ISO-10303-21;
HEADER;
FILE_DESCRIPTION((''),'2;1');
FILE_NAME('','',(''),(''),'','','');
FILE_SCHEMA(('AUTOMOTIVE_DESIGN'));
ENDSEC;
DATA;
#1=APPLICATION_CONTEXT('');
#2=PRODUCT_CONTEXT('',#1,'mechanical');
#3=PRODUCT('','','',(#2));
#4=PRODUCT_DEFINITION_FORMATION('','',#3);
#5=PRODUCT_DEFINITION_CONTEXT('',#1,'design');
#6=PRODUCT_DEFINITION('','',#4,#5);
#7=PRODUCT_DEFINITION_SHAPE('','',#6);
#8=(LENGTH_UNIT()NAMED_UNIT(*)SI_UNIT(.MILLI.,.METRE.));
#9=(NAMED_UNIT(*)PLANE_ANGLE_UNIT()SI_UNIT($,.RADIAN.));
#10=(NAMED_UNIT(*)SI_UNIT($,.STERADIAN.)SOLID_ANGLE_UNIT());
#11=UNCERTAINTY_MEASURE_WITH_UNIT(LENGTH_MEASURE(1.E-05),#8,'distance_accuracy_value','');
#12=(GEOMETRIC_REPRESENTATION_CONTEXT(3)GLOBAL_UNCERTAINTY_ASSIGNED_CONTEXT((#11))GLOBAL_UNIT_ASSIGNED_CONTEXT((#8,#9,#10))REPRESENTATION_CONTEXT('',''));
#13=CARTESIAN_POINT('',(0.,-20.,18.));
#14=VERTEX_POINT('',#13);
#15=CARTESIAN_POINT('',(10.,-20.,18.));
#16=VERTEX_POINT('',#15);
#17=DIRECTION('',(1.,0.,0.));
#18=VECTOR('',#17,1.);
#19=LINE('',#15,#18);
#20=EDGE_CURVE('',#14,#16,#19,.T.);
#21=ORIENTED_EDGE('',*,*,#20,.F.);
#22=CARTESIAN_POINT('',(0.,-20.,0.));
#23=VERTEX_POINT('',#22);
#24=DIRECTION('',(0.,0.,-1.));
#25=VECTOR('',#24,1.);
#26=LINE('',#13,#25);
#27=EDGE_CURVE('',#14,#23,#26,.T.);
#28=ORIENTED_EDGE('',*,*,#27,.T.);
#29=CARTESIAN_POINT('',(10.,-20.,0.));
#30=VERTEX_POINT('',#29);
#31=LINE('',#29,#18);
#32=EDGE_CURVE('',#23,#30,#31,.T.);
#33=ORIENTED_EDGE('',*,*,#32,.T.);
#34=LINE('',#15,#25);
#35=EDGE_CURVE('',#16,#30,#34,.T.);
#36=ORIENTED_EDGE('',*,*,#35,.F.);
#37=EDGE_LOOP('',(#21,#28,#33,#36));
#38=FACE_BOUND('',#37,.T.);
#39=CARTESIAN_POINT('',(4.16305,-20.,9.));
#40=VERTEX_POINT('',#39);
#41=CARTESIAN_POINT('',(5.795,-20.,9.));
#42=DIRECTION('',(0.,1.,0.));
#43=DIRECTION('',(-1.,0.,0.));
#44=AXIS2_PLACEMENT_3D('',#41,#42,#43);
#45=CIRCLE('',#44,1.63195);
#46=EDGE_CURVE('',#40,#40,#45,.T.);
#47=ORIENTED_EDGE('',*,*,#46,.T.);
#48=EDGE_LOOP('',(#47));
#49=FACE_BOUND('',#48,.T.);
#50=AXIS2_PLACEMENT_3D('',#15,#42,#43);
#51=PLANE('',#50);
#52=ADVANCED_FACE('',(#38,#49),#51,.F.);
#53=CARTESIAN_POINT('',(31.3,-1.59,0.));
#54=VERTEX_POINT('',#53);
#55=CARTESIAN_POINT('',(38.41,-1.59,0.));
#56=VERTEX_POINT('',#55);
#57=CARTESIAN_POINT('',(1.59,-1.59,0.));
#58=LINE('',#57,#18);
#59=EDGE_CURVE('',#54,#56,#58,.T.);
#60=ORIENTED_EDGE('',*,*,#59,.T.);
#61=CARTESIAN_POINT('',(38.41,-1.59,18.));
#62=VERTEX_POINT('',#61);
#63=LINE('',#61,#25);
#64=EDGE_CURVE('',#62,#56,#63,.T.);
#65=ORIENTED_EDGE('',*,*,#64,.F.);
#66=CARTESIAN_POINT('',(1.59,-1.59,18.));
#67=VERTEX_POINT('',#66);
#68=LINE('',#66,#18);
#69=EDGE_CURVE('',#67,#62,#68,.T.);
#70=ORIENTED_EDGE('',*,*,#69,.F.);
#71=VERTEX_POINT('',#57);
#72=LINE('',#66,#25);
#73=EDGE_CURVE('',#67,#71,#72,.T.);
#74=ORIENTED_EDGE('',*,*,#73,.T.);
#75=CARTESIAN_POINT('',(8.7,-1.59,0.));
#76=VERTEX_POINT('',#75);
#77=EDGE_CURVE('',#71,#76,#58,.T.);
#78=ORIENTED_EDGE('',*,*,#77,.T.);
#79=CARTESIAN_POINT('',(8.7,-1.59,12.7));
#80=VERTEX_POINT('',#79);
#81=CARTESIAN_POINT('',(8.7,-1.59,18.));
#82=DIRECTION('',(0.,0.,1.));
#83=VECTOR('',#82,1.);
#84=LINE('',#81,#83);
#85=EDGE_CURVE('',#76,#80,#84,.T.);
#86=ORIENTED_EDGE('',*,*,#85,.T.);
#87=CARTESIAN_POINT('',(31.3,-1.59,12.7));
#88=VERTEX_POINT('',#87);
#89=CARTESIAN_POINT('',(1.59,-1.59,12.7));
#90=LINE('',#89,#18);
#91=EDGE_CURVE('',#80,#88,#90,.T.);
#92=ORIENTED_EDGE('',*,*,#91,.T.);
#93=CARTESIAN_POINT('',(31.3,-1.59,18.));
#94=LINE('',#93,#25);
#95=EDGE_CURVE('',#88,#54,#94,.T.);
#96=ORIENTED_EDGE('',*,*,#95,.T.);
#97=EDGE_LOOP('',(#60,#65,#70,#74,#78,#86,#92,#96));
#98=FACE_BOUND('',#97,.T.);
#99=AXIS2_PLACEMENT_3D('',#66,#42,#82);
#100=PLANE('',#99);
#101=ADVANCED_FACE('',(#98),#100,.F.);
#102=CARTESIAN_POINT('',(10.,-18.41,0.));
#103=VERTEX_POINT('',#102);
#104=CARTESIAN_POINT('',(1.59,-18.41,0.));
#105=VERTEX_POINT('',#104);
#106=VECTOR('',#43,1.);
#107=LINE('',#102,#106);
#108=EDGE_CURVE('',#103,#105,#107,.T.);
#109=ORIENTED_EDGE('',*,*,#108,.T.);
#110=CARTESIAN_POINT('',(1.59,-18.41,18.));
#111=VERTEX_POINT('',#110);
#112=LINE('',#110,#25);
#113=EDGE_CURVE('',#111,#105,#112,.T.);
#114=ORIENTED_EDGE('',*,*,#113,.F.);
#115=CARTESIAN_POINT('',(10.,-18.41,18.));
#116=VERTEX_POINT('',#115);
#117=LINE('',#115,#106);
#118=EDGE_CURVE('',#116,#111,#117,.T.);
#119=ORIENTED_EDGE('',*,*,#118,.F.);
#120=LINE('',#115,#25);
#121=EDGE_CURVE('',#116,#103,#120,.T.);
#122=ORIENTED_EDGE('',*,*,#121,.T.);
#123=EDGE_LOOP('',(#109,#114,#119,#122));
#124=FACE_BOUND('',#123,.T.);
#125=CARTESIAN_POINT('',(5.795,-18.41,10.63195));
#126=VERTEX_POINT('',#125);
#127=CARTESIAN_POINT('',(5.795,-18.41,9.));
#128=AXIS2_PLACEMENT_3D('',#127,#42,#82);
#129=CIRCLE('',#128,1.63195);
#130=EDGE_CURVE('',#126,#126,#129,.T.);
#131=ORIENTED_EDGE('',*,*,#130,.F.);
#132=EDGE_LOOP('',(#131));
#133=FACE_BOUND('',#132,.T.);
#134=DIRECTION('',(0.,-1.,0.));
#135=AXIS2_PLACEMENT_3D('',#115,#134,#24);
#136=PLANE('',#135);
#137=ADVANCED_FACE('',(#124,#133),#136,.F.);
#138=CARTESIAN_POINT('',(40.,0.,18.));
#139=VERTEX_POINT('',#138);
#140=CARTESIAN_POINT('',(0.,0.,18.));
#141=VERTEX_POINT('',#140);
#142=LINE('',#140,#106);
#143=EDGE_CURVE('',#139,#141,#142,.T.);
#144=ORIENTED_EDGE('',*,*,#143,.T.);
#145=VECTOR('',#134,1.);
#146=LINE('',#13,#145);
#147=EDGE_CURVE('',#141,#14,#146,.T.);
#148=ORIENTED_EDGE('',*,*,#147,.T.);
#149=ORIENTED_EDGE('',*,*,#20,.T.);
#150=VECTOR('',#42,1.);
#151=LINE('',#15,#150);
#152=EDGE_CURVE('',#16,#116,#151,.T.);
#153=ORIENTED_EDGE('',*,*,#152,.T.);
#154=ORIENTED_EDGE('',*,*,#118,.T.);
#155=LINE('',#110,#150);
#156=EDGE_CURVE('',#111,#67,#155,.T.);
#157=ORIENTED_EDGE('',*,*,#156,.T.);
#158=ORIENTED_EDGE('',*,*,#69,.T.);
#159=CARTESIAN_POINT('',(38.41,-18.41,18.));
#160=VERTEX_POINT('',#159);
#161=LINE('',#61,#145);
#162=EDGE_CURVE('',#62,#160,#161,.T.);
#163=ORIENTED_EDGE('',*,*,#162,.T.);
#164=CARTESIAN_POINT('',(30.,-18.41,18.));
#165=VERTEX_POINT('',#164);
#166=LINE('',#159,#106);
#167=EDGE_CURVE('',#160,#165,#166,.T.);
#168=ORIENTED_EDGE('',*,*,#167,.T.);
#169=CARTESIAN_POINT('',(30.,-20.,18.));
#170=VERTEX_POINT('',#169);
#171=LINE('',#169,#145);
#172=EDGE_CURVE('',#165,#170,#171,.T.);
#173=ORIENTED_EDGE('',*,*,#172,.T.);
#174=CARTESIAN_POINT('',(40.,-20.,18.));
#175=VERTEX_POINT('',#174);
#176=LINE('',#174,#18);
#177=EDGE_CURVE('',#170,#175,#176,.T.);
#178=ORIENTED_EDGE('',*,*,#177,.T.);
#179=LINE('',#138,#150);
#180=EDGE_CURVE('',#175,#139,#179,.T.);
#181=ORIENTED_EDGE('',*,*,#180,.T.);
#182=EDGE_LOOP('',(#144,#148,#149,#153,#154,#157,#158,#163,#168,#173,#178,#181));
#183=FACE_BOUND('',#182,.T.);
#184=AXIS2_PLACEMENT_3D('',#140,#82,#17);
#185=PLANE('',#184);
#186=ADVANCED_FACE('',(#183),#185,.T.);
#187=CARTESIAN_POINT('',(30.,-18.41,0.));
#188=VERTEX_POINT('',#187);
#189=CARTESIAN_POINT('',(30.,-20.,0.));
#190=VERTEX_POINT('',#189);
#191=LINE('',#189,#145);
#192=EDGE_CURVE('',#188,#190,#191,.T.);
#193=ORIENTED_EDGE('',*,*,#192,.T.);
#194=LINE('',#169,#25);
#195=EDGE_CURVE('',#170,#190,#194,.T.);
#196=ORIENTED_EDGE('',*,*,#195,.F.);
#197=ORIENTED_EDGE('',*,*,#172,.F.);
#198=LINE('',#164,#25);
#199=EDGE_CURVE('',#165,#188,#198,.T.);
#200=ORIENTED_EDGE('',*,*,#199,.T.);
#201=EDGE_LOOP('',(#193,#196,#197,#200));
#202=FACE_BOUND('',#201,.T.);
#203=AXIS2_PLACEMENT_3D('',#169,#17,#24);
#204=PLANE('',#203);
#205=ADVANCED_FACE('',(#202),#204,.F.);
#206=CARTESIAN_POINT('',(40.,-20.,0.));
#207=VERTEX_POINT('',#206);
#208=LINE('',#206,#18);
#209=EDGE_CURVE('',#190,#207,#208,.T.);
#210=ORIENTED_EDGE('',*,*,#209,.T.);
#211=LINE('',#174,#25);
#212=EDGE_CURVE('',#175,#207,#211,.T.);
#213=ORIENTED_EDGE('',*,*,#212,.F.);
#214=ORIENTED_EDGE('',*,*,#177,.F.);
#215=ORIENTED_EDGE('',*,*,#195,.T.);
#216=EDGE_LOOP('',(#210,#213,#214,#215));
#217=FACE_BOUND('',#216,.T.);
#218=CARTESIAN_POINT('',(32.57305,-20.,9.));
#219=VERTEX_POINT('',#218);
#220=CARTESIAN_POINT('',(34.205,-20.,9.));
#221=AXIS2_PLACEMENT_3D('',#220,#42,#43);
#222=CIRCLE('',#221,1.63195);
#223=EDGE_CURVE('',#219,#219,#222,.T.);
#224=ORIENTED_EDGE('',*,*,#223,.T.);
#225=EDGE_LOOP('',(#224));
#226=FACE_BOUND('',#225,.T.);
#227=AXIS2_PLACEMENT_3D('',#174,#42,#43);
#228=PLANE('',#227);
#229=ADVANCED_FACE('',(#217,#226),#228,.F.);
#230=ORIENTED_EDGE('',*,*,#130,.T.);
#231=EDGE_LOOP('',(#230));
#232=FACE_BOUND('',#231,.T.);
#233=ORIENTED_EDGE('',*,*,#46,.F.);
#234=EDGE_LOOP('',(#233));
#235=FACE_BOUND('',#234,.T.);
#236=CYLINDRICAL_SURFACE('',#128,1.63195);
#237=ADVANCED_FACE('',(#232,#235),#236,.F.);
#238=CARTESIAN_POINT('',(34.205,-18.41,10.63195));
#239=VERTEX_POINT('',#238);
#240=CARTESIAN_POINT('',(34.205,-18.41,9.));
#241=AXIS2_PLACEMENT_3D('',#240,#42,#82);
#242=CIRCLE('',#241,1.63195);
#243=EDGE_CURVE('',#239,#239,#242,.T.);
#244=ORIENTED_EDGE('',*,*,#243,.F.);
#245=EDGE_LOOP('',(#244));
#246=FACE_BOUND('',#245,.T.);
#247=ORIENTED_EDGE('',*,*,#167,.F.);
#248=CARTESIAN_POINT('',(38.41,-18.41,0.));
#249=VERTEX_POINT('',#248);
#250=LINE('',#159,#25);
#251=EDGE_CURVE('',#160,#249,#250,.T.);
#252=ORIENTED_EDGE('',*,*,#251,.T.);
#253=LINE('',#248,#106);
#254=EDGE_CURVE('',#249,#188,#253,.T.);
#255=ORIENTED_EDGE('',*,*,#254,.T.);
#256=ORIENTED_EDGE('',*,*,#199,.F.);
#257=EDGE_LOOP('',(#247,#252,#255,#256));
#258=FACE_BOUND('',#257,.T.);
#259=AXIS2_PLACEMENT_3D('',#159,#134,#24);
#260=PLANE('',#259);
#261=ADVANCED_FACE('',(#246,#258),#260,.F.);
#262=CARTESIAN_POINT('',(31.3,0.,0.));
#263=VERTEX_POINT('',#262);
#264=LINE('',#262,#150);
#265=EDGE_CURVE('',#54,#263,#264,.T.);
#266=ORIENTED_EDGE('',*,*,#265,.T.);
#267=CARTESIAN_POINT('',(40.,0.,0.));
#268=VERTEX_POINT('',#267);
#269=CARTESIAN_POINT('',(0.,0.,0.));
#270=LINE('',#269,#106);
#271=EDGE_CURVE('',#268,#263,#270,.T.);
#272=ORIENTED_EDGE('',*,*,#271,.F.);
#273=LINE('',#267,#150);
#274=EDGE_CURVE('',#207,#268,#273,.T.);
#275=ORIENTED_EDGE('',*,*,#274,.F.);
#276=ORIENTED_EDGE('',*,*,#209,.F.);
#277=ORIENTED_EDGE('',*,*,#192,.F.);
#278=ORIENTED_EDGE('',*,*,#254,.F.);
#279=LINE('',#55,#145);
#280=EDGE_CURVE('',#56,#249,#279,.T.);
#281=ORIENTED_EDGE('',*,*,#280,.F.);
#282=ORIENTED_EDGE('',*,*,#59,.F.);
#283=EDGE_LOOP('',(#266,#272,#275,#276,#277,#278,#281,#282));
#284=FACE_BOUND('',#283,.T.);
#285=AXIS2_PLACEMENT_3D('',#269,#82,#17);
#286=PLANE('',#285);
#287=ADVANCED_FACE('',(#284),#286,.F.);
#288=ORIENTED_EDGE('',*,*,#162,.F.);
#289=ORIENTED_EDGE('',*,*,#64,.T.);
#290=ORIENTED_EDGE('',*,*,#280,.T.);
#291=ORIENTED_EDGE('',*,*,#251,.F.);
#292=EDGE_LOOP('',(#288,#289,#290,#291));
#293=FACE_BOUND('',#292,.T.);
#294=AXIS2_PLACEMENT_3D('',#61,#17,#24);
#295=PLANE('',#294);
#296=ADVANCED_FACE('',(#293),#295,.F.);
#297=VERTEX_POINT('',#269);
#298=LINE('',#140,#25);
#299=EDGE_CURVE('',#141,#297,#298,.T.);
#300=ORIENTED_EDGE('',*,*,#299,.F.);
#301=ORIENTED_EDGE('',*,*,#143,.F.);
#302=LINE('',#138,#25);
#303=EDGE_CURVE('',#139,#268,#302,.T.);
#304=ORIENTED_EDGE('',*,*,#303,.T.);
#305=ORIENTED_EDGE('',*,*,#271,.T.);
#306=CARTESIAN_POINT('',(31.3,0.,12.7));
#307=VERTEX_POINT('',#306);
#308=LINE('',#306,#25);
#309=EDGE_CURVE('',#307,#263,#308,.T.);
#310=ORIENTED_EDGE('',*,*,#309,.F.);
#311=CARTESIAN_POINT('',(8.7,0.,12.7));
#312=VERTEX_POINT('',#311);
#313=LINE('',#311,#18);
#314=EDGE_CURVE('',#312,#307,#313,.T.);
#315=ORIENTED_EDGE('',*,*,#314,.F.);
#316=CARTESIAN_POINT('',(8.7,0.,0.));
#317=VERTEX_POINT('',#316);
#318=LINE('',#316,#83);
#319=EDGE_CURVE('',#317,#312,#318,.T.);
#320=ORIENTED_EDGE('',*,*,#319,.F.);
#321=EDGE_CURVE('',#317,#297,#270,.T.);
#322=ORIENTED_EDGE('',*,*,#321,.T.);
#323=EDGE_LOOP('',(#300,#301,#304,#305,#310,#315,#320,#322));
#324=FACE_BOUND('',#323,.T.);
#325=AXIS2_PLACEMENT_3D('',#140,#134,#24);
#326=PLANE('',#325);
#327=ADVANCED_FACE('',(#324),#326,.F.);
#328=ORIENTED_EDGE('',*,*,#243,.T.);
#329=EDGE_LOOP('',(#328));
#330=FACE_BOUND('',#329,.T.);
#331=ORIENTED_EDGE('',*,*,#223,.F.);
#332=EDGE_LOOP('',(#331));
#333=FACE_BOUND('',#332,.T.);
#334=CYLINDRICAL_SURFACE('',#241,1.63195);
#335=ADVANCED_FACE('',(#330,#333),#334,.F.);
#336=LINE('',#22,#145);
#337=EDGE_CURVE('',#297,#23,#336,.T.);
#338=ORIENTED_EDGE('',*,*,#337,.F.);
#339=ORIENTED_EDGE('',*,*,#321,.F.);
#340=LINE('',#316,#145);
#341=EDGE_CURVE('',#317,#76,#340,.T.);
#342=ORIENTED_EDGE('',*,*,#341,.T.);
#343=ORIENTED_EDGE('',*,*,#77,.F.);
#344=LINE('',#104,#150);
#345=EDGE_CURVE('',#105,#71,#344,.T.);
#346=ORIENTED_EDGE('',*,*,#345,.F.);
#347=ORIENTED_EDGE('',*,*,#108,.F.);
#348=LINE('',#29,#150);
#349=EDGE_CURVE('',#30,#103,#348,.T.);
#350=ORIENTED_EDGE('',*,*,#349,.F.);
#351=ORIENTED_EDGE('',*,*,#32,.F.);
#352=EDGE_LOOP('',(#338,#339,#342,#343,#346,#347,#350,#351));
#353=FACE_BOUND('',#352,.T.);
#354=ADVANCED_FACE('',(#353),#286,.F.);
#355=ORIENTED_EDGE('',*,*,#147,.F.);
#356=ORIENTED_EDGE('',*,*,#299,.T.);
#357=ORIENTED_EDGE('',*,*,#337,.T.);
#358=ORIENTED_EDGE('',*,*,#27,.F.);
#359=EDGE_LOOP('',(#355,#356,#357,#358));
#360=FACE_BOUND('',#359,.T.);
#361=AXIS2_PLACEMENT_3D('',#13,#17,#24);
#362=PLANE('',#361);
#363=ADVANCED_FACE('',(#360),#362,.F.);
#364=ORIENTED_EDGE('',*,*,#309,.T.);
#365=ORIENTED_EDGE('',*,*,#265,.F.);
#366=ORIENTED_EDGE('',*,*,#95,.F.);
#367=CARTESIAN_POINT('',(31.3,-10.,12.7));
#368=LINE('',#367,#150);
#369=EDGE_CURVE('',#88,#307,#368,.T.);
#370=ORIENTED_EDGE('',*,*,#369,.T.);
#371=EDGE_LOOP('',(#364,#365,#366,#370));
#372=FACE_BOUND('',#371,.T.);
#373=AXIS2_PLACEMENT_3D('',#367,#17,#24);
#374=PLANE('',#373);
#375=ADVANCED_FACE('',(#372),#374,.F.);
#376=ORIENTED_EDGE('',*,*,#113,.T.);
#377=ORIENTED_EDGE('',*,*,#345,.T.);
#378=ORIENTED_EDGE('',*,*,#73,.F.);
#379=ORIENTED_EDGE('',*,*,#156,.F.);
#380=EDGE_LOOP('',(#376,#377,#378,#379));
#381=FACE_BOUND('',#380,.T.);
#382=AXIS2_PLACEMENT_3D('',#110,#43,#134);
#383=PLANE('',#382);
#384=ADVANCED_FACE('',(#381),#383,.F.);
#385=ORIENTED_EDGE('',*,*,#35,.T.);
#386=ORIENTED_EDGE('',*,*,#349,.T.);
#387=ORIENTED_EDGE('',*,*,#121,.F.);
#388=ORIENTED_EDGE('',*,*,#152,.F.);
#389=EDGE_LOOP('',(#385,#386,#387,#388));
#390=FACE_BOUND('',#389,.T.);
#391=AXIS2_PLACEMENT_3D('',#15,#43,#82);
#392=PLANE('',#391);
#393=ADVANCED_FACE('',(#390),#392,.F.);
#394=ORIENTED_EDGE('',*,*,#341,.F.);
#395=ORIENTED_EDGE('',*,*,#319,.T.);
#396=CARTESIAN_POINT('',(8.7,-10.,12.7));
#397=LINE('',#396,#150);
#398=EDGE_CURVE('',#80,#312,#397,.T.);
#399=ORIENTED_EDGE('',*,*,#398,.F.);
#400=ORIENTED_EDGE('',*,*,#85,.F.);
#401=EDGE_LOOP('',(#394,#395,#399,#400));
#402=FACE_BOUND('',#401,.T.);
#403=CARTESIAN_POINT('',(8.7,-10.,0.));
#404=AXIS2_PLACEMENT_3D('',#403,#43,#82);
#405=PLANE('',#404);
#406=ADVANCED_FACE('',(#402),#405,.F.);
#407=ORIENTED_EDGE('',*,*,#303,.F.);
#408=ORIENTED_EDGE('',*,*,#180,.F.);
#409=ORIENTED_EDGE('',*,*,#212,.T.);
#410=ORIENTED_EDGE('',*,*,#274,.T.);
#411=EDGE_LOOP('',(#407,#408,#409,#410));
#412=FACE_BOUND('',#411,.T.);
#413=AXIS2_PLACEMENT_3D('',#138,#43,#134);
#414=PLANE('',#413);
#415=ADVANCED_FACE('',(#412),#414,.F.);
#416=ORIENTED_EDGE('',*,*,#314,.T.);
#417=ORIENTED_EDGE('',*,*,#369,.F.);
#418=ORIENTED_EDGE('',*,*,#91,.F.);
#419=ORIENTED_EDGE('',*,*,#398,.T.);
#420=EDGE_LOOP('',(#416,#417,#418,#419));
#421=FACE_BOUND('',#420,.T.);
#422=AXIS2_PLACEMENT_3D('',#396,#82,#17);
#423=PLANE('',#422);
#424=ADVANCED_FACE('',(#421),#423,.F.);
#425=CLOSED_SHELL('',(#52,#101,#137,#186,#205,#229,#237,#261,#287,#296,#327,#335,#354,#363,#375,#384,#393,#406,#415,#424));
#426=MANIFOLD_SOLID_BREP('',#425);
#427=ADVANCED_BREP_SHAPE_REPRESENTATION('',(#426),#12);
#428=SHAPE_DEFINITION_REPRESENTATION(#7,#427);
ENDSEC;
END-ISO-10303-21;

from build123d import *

# Parameters (mm, degrees)
BOSS_EXTRUDE1_DEPTH       = 18
SKETCH2_W                 = 22.6
SKETCH2_H                 = 12.7
CUT_EXTRUDE1_DEPTH        = 10
F_4_CLEARANCE_HOLE3_D     = 3.2639
F_4_CLEARANCE_HOLE3_DEPTH = 1.59


with BuildPart() as part:
    # Sketch1 → Boss-Extrude1 (new body)
    with BuildSketch(Plane.XY):
        Polygon((10, -20), (0, -20), (0, 0), (40, 0), (40, -20), (30, -20), (30, -18.41), (38.41, -18.41), (38.41, -1.59), (1.59, -1.59), (1.59, -18.41), (10, -18.41), align=None)
    extrude(amount=BOSS_EXTRUDE1_DEPTH)

    # Sketch2 → Cut-Extrude1 (cut)
    with BuildSketch(Plane(origin=(0, 0, 0), x_dir=(1, 0, 0), z_dir=(0, 1, 0))):
        with Locations((20, -6.35)):
            Rectangle(SKETCH2_W, SKETCH2_H)
    extrude(amount=-CUT_EXTRUDE1_DEPTH, mode=Mode.SUBTRACT)

    # #4 Clearance Hole3
    with Locations(Plane(origin=(0, -18.41, 0), x_dir=(1, 0, 0), z_dir=(0, 1, 0))):
        with Locations((5.795, -9), (34.205, -9)):
            Hole(F_4_CLEARANCE_HOLE3_D / 2, depth=F_4_CLEARANCE_HOLE3_DEPTH)


solid = part.part
